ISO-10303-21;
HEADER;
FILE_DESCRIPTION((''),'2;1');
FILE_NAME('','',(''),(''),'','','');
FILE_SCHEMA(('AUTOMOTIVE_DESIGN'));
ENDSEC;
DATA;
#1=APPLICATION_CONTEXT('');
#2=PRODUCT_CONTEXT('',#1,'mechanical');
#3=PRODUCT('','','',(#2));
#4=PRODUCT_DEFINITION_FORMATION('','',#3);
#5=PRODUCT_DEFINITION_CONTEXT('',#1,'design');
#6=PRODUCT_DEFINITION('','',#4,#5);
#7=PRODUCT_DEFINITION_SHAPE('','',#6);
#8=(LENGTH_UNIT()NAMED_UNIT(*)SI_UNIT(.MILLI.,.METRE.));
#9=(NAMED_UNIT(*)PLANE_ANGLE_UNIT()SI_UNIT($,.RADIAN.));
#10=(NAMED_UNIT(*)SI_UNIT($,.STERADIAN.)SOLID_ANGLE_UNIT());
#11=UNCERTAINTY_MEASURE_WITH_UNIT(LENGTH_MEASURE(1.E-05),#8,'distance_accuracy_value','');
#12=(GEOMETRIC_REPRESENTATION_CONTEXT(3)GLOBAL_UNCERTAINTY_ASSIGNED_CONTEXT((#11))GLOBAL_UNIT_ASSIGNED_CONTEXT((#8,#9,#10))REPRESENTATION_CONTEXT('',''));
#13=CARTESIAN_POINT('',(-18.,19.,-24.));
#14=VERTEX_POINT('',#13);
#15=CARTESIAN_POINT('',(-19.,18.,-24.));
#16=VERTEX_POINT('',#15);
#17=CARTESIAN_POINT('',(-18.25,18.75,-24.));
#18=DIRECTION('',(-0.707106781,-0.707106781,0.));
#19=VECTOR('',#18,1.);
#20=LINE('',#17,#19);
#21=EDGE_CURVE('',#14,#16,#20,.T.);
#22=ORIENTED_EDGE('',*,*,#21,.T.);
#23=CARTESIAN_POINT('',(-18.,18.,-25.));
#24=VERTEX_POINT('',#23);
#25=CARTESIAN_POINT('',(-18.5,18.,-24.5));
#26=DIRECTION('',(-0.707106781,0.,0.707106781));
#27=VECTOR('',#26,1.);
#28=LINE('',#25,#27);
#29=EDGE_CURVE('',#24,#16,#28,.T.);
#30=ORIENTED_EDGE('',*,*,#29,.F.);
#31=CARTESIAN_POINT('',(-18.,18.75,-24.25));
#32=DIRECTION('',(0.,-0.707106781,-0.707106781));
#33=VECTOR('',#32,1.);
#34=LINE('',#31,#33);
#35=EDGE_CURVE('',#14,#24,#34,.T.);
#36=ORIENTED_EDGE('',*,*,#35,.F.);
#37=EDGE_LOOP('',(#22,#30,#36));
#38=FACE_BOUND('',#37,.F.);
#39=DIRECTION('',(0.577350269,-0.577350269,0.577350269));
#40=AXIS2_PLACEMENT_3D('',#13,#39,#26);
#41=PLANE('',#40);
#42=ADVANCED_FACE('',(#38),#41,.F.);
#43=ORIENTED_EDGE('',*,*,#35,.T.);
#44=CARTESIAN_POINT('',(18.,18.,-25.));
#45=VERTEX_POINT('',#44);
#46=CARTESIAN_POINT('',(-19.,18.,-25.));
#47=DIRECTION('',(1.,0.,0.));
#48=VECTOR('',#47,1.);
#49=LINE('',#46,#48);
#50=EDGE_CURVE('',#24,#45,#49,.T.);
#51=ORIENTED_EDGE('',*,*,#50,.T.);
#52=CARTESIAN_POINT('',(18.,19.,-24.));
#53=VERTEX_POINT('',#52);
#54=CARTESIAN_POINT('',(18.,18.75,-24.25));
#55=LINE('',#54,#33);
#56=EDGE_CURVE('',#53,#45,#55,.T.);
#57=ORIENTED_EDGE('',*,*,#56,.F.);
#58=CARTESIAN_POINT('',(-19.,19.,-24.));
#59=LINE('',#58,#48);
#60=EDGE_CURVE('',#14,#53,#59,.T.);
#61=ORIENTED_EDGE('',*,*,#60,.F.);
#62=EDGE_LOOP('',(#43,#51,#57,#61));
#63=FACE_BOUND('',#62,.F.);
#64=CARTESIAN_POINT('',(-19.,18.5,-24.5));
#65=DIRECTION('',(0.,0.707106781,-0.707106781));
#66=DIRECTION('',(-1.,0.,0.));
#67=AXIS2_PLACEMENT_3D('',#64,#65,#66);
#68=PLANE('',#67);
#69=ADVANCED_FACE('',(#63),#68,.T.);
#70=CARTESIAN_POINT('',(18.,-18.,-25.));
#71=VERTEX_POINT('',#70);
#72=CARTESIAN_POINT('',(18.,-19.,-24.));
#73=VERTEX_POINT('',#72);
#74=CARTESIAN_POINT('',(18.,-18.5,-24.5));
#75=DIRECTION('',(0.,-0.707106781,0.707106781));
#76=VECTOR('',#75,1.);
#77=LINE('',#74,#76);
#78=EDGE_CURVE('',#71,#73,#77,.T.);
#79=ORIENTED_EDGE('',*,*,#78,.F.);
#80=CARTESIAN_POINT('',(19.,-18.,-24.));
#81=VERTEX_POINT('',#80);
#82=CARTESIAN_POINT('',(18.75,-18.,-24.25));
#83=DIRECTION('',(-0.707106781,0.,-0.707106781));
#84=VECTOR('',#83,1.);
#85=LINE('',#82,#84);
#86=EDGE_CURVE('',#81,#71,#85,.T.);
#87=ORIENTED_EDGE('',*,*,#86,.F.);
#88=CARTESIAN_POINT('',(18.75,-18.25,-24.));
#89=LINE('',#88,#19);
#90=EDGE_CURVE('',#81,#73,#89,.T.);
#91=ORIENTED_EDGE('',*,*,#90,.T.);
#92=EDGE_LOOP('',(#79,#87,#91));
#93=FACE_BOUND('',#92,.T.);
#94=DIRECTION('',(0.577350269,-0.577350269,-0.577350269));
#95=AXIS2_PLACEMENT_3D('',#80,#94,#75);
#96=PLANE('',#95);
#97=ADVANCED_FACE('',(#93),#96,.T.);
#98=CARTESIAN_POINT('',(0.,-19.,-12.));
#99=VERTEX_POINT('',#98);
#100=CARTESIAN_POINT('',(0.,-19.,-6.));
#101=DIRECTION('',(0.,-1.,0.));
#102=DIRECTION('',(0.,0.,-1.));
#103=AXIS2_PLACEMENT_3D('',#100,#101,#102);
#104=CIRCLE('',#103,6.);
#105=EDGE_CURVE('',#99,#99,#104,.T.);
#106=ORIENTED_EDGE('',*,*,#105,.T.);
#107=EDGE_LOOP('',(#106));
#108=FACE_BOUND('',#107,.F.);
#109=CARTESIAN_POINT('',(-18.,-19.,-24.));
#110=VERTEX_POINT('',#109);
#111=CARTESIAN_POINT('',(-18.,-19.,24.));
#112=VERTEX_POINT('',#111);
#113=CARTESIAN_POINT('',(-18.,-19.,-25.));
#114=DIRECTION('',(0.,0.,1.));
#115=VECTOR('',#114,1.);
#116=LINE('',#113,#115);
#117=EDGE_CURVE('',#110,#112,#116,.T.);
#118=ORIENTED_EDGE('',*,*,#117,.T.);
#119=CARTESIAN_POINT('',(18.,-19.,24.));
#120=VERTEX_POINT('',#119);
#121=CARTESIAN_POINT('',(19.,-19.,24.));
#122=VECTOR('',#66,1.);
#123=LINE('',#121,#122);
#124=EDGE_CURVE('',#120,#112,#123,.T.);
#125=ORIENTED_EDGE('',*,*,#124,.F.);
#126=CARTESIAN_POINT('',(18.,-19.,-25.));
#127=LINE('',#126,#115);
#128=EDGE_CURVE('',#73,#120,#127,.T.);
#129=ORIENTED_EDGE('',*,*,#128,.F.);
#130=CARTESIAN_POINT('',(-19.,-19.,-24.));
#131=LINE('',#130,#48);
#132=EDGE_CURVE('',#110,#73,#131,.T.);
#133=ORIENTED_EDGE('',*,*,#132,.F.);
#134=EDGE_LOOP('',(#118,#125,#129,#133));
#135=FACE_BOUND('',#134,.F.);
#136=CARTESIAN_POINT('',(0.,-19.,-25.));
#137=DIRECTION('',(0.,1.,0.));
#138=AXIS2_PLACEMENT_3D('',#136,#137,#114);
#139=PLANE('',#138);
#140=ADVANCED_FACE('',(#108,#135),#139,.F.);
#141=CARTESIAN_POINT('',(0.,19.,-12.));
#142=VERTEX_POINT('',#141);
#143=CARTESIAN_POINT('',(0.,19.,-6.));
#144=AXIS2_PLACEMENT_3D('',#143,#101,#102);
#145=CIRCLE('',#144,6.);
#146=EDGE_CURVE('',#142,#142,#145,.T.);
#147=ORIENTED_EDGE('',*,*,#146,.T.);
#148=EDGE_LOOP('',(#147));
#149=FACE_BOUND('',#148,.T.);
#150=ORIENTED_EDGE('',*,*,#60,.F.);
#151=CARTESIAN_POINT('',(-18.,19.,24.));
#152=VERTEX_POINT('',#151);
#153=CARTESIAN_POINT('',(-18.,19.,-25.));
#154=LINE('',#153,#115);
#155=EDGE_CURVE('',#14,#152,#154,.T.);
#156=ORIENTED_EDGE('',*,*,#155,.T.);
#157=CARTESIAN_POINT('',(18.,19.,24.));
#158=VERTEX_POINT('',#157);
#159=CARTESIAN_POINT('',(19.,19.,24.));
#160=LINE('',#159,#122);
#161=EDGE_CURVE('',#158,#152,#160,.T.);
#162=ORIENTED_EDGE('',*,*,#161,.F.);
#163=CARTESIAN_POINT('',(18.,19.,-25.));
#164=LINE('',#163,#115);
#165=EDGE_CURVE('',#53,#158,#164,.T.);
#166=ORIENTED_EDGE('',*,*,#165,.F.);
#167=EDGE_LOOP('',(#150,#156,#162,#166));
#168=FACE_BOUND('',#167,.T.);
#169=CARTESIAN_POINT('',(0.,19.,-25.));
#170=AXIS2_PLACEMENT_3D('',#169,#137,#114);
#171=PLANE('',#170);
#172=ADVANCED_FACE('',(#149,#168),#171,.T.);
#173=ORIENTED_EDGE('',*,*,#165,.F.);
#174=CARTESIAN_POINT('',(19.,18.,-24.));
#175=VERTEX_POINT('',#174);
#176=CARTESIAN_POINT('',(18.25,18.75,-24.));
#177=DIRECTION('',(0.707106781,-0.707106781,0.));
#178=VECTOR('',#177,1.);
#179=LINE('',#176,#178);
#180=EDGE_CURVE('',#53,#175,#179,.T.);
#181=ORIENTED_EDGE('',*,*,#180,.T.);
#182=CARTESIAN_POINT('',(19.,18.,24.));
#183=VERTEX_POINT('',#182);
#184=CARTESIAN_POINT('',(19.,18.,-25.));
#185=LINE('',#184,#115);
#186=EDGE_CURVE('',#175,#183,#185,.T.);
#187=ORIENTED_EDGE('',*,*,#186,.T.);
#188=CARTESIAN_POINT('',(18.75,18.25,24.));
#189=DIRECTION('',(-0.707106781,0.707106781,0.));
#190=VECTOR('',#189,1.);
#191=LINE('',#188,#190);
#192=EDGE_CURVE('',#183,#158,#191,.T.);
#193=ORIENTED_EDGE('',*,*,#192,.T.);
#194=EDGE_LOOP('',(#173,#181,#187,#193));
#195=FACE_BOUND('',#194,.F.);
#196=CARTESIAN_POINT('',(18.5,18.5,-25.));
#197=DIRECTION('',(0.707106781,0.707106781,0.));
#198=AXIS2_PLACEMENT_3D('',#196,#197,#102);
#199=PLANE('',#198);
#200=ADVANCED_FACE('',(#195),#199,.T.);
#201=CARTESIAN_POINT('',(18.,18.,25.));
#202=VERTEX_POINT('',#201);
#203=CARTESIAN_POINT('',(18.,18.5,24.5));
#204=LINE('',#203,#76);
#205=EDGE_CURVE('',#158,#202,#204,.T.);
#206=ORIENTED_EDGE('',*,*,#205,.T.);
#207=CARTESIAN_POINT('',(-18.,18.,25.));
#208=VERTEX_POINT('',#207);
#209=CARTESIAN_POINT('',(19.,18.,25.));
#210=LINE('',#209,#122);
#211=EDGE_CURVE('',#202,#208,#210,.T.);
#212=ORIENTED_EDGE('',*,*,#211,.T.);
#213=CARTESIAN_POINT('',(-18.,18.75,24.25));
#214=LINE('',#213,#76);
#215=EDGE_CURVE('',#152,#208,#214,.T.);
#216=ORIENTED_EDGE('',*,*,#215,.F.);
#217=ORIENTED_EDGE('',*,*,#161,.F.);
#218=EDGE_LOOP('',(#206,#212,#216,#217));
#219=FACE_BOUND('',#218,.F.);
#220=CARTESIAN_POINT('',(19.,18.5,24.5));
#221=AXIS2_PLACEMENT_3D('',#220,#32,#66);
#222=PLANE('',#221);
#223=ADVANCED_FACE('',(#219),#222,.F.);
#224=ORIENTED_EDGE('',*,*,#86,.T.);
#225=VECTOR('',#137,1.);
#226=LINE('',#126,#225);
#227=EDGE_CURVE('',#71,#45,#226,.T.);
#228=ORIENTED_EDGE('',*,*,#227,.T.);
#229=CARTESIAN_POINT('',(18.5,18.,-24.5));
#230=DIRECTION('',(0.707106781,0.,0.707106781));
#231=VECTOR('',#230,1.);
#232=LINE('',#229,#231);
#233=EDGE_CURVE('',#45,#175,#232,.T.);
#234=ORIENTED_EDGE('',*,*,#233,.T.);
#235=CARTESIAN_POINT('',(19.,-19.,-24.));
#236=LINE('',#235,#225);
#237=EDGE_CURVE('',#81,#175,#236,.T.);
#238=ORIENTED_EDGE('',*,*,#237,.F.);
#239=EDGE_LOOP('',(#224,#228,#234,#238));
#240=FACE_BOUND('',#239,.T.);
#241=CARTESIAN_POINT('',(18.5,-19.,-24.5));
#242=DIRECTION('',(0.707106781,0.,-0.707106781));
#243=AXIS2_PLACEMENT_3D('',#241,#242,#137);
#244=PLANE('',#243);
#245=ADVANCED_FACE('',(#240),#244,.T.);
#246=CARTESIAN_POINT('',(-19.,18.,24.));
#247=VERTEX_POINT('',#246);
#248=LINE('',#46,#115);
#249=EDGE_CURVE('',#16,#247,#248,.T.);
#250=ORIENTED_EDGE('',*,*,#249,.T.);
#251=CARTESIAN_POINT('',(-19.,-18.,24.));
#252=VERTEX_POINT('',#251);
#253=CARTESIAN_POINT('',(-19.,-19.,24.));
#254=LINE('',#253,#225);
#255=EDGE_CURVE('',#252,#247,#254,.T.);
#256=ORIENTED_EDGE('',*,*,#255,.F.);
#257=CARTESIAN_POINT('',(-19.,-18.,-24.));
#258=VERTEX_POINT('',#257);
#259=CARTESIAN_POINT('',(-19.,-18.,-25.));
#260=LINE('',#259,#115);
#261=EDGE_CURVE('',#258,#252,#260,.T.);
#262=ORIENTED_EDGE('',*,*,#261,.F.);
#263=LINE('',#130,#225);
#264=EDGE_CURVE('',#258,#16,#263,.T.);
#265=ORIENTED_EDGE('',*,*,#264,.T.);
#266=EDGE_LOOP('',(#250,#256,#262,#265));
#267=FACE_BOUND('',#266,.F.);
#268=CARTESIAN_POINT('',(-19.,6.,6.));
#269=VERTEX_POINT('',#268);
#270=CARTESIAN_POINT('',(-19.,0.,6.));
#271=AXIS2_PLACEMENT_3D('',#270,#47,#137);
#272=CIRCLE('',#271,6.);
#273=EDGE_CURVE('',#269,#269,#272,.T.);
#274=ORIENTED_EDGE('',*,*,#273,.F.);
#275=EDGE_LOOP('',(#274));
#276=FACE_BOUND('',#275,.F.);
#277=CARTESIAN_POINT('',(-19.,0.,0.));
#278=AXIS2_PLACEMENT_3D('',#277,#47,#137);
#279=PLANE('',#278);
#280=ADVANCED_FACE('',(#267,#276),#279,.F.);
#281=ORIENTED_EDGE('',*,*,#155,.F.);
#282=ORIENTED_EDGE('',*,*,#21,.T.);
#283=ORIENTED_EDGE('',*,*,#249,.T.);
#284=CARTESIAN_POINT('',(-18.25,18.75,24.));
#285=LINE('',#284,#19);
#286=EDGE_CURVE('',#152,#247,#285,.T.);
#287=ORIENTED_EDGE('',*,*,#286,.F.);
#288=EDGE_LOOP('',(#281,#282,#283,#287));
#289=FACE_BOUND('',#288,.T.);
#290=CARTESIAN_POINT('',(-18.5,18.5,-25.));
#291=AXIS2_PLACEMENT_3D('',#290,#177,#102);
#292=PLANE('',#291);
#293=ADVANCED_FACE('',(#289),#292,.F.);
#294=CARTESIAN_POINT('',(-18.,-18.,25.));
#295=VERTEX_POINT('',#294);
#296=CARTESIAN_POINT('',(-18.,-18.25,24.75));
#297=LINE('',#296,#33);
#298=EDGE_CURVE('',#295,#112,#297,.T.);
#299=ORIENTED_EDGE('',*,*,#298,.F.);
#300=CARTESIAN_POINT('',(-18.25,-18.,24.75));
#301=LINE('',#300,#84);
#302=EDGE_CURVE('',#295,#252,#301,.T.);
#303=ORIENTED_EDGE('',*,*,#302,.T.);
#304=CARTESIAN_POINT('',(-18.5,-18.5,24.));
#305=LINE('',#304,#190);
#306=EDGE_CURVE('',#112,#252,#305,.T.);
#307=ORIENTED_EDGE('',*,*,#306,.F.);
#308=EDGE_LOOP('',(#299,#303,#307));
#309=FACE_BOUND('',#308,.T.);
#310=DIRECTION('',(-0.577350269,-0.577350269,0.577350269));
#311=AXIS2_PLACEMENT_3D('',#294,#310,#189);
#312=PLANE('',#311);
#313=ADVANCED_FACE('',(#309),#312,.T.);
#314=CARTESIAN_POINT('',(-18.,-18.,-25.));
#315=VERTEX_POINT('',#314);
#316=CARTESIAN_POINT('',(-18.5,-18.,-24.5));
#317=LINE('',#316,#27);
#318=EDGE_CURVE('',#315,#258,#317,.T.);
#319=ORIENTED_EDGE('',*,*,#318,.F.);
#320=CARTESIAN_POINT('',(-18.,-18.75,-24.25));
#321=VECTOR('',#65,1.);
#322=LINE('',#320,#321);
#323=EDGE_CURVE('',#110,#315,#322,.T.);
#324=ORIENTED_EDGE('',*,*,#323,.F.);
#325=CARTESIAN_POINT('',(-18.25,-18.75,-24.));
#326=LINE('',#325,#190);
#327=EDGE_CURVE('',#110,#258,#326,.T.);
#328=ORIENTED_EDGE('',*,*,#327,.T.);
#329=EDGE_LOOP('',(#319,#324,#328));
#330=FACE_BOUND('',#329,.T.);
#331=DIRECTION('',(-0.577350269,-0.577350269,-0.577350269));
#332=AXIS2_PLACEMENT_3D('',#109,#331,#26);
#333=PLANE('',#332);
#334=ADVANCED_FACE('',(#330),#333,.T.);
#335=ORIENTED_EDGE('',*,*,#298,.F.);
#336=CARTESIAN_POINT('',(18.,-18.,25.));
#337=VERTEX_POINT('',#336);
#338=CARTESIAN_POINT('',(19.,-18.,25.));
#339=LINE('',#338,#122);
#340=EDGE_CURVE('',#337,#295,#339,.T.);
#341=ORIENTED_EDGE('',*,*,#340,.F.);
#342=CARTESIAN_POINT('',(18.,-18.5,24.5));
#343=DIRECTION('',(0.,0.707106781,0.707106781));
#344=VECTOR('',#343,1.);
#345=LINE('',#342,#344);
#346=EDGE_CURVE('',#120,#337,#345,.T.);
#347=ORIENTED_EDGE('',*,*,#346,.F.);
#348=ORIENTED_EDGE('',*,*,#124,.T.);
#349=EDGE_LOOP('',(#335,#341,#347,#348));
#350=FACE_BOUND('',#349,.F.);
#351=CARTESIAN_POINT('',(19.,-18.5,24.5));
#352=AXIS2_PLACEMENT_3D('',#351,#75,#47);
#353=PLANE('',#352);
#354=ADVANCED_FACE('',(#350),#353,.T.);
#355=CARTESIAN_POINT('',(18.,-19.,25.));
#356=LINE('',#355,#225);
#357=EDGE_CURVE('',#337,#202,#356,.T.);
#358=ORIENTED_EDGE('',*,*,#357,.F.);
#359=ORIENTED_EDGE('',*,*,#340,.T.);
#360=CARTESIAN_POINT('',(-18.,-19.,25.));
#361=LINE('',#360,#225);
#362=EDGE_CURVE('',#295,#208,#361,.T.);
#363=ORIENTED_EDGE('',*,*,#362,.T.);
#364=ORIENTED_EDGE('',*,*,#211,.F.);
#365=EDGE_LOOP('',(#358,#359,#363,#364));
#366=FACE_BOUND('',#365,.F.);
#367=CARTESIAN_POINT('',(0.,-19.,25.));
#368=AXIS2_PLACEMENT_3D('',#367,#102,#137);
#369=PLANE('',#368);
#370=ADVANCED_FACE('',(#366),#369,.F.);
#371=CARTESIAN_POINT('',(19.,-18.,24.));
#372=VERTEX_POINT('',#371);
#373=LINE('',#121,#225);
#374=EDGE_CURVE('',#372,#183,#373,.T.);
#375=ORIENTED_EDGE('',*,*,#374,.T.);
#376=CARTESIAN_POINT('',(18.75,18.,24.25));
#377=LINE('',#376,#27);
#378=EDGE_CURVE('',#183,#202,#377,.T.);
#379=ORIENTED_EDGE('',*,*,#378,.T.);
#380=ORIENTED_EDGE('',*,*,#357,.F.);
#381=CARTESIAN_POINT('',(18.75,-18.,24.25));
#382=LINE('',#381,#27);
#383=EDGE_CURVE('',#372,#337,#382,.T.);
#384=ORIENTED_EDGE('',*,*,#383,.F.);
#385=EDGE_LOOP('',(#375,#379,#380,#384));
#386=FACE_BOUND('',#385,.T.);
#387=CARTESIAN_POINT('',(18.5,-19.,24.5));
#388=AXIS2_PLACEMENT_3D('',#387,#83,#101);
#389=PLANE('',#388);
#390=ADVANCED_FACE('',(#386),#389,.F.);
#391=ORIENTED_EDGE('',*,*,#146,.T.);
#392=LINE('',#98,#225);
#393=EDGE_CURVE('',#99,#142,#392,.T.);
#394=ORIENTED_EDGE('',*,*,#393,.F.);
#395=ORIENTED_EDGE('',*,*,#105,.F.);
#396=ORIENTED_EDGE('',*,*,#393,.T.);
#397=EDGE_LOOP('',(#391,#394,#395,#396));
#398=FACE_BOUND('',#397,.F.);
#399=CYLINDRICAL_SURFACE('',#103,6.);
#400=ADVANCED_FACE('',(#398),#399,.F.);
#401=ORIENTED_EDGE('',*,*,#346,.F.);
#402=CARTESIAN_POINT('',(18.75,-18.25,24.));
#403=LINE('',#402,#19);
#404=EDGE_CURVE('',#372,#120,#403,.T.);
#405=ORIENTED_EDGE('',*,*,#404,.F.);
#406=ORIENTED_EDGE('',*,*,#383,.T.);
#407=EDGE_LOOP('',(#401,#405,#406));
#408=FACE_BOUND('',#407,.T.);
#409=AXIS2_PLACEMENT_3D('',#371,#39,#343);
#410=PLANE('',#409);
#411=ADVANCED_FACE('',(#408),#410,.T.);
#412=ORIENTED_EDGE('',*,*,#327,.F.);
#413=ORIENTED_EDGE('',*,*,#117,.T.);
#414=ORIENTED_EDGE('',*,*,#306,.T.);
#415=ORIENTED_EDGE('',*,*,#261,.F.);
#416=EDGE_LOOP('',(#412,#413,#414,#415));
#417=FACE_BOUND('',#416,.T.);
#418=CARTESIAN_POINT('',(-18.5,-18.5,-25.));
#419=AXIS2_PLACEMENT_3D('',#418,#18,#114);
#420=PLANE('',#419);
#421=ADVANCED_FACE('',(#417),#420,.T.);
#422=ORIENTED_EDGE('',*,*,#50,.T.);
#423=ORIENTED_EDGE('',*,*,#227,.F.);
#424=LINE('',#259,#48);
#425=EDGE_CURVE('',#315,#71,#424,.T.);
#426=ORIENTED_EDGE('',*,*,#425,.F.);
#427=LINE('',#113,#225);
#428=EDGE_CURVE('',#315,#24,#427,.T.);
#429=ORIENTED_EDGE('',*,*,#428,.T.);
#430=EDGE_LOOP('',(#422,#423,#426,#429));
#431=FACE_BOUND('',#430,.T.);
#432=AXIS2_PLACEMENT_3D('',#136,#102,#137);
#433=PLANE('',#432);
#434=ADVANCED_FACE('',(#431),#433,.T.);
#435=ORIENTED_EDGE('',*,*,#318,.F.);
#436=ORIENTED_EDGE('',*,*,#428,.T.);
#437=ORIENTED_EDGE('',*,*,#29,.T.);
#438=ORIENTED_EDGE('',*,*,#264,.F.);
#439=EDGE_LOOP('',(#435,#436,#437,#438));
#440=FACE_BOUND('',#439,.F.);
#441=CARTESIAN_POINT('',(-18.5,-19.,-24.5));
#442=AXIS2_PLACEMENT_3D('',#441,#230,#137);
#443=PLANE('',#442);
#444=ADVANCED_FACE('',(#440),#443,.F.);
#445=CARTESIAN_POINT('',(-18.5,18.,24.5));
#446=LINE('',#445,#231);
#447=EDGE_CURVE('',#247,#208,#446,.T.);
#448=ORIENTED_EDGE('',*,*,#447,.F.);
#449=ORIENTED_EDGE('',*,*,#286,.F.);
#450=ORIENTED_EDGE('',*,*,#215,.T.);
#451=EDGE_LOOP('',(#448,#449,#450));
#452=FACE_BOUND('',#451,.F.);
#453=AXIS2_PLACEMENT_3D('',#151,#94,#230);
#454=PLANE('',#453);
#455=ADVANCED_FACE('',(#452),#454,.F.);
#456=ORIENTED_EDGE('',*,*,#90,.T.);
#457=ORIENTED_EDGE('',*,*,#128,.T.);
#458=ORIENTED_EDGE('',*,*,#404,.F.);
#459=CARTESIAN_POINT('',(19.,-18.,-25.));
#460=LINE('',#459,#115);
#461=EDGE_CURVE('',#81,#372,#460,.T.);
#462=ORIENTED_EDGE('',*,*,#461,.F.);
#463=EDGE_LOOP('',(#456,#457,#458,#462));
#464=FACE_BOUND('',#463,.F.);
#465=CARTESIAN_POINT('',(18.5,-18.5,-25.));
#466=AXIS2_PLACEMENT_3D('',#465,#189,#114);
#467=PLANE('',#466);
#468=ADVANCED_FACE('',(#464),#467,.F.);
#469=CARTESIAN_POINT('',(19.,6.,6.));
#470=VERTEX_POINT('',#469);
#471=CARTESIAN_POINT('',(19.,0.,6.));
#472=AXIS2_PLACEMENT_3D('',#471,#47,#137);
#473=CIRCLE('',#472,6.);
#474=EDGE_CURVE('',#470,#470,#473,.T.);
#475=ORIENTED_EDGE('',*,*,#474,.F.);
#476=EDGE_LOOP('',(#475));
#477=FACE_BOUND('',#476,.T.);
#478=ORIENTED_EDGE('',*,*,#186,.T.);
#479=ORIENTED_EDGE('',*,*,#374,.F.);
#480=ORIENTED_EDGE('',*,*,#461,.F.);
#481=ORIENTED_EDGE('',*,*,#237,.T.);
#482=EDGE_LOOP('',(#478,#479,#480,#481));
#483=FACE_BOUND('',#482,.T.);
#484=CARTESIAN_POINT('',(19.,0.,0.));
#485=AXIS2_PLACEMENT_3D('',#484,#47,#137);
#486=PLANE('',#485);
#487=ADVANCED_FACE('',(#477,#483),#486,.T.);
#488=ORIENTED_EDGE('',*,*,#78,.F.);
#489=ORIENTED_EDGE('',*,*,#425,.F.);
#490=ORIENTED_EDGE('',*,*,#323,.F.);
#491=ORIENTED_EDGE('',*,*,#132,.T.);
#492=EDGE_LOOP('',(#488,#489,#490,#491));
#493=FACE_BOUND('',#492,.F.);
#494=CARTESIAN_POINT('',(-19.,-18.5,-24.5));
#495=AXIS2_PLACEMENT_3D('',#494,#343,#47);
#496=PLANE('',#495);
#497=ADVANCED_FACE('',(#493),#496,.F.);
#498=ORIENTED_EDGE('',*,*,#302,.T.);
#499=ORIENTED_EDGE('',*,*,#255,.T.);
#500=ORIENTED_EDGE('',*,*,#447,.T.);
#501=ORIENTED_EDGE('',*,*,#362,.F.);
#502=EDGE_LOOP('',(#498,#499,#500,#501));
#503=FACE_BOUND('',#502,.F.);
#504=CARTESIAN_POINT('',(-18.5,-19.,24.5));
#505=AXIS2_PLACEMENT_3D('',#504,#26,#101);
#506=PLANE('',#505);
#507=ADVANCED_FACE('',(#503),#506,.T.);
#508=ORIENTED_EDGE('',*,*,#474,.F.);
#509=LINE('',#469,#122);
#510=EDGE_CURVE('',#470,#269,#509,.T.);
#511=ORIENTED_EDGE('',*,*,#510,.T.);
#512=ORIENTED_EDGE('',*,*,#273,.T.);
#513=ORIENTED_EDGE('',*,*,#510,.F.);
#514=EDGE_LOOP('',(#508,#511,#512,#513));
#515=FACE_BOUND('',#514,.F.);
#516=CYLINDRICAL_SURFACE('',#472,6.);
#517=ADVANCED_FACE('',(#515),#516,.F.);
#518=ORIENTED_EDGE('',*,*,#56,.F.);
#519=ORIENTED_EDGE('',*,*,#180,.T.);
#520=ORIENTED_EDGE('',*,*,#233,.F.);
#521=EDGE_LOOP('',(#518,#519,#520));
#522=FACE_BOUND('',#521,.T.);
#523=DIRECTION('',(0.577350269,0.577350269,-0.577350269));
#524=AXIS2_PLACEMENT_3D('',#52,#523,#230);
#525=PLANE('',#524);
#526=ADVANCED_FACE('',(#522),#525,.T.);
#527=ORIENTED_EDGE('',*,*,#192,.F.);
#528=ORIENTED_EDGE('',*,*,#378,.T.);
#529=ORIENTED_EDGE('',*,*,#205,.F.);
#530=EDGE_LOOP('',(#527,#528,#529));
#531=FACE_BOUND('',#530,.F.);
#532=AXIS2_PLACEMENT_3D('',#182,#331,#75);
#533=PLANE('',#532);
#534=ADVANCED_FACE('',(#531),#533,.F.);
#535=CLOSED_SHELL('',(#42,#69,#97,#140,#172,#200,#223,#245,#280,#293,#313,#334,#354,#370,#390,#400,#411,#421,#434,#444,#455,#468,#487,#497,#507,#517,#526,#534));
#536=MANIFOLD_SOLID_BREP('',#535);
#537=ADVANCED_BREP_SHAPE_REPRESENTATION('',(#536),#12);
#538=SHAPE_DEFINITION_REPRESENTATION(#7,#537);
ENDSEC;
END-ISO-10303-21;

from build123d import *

# Parameters (mm, degrees)
SKETCH_W      = 38
SKETCH_H      = 50
PAD_DEPTH     = 19
SKETCH001_R   = 6
HOLE_DEPTH    = 38.001
SKETCH002_R   = 6
HOLE001_DEPTH = 38.001
CHAMFER_SIZE  = 1


with BuildPart() as part:
    # Sketch → Pad (new body, symmetric)
    with BuildSketch(Plane.YZ):
        Rectangle(SKETCH_W, SKETCH_H)
    extrude(amount=PAD_DEPTH, both=True)

    # Sketch001 (on Face6 of Pad) → Hole (cut, through all)
    with BuildSketch(Plane.YZ.offset(19)):
        with Locations((0, 6)):
            Circle(SKETCH001_R)
    extrude(amount=-HOLE_DEPTH, mode=Mode.SUBTRACT)

    # Sketch002 (on Face2 of Hole) → Hole001 (cut, through all)
    with BuildSketch(Plane(origin=(0, -19, 0), x_dir=(0, 0, -1), z_dir=(0, -1, 0))):
        with Locations((6, 0)):
            Circle(SKETCH002_R)
    extrude(amount=-HOLE001_DEPTH, mode=Mode.SUBTRACT)

    # Chamfer
    chamfer_edges = [part.edges().sort_by_distance(p)[0] for p in [
        (-19, 0, -25),
        (0, -19, -25),
        (19, 0, -25),
        (0, 19, -25),
        (-19, -19, 0),
        (0, -19, 25),
        (-19, 0, 25),
        (-19, 19, 0),
        (0, 19, 25),
        (19, 19, 0),
        (19, -19, 0),
        (19, 0, 25),
    ]]
    chamfer(chamfer_edges, length=CHAMFER_SIZE)


solid = part.part
